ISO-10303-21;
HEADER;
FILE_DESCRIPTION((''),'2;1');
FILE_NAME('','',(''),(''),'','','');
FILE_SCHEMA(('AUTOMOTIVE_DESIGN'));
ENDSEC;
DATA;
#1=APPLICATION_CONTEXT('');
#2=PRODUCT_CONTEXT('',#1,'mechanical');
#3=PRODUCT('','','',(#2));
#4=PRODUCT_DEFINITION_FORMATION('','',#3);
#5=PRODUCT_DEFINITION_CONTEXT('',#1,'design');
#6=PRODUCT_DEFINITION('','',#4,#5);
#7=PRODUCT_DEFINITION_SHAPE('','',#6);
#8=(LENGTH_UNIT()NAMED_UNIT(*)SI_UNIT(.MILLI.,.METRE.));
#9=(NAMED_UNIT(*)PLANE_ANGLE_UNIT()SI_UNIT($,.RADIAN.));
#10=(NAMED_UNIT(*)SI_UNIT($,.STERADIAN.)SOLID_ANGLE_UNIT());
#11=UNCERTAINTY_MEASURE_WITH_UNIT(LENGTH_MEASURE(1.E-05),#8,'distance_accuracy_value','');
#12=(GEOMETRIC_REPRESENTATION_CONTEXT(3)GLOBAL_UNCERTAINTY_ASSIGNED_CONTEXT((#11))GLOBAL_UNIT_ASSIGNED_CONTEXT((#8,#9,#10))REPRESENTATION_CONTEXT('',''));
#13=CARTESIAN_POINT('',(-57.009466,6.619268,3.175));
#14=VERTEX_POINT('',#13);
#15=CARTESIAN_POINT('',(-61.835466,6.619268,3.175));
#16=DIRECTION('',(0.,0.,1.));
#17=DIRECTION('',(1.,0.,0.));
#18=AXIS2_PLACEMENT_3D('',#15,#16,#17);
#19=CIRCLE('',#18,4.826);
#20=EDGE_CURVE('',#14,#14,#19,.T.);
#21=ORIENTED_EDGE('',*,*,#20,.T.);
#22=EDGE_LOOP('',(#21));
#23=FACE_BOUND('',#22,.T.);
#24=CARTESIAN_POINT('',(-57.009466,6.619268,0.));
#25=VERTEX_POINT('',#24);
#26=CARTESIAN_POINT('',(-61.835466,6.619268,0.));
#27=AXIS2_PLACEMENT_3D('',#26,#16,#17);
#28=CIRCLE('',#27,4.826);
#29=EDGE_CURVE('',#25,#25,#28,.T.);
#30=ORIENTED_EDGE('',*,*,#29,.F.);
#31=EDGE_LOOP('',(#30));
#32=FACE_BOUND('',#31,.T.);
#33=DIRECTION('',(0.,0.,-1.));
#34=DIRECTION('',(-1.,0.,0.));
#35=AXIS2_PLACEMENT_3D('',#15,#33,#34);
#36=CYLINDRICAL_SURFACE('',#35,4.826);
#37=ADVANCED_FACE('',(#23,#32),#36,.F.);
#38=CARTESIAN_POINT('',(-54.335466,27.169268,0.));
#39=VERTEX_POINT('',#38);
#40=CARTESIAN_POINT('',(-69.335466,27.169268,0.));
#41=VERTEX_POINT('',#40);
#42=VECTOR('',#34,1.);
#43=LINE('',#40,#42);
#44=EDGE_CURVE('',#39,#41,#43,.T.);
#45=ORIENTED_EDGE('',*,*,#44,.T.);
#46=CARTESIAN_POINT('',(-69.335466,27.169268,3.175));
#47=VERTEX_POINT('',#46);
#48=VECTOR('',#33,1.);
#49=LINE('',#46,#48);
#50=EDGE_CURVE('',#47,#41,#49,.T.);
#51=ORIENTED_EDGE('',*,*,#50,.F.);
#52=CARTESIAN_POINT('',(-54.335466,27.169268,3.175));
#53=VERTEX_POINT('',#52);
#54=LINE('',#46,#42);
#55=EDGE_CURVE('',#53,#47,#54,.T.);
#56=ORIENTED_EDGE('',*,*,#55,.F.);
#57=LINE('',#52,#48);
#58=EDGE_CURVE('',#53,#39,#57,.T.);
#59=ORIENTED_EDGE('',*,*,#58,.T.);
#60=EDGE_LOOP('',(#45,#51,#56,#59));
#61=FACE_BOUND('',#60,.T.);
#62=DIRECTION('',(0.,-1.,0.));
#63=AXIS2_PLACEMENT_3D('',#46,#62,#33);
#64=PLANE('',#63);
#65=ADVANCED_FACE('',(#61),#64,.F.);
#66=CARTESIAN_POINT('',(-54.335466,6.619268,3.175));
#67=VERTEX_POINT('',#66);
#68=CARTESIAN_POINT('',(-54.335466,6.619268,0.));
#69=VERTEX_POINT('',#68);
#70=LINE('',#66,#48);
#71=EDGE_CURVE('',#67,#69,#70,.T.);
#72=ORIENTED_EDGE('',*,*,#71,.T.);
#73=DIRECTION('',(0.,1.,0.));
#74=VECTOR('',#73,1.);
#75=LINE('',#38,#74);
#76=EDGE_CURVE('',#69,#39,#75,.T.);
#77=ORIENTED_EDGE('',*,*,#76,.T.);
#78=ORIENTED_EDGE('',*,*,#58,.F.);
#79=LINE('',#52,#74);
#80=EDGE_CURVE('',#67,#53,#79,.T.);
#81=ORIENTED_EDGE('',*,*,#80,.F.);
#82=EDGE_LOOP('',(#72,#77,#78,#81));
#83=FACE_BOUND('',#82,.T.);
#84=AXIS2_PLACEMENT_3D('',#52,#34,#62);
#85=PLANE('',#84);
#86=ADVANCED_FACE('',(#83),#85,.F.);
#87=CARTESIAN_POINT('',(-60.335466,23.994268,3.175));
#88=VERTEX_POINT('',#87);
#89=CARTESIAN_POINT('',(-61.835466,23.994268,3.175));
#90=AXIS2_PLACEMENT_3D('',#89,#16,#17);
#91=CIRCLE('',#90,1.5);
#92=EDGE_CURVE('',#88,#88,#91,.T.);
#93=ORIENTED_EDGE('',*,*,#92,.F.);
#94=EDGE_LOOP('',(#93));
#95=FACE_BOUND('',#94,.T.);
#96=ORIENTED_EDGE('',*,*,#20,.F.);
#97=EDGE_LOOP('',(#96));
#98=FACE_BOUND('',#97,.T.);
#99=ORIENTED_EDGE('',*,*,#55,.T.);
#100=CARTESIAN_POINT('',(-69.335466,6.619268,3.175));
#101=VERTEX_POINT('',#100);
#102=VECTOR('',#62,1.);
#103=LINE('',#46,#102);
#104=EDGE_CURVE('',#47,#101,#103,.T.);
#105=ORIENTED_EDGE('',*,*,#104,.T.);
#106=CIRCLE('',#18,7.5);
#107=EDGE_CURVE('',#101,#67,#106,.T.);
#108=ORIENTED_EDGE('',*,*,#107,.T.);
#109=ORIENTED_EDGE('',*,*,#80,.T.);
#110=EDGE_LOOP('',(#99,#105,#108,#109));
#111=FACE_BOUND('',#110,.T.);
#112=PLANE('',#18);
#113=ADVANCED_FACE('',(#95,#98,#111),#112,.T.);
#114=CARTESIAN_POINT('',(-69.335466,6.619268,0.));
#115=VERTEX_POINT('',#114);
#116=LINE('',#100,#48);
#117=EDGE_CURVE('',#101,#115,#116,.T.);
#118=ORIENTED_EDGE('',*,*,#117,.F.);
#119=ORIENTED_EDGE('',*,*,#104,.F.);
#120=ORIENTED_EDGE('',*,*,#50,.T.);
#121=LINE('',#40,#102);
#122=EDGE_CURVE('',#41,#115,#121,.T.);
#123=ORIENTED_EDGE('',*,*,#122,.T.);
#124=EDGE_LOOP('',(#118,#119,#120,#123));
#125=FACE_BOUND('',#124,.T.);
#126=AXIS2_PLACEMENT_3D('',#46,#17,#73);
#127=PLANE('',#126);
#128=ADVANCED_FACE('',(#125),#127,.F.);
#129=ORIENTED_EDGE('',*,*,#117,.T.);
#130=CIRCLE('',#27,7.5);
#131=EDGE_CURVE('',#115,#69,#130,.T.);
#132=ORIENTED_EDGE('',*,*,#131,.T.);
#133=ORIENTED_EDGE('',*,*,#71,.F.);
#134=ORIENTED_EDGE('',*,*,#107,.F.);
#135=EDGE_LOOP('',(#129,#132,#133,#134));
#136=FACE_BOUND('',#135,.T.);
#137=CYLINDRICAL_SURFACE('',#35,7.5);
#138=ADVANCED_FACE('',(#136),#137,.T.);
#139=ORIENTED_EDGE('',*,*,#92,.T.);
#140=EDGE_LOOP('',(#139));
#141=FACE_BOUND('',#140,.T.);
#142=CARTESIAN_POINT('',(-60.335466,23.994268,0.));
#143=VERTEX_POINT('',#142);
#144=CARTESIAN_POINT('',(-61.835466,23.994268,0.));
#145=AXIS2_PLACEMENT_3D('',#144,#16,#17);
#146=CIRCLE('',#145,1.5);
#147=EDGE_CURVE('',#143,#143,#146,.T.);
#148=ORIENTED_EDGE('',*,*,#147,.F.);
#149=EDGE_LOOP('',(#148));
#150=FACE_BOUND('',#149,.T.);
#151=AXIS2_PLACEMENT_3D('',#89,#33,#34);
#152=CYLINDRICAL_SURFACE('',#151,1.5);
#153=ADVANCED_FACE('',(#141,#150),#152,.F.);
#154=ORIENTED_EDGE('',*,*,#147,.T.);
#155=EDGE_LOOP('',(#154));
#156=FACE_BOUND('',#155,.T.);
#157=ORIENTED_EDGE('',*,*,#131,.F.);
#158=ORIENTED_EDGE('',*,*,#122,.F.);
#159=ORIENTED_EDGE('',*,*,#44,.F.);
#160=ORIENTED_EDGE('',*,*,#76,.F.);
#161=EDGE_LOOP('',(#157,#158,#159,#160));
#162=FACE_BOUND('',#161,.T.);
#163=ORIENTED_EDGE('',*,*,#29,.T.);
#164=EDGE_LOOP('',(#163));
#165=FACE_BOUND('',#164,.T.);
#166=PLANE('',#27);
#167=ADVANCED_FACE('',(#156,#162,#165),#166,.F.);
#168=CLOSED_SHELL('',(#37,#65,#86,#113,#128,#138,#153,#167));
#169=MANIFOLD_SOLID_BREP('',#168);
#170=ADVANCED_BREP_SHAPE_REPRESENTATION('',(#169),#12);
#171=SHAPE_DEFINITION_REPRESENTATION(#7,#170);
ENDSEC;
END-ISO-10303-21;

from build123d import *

# Parameters (mm, degrees)
SKETCH1_R           = 4.826
SKETCH1_R_2         = 1.5
BOSS_EXTRUDE1_DEPTH = 3.175


with BuildPart() as part:
    # Sketch1 → Boss-Extrude1 (new body)
    with BuildSketch(Plane.XY):
        with BuildLine():
            Line((-69.335466426, 27.169267575), (-54.335466426, 27.169267575))
            Line((-54.335466426, 27.169267575), (-54.335466426, 6.619267575))
            ThreePointArc((-54.335466426, 6.619267575), (-61.835466426, -0.880732425), (-69.335466426, 6.619267575))
            Line((-69.335466426, 6.619267575), (-69.335466426, 27.169267575))
        make_face()
        with Locations((-61.835466426, 6.619267575)):
            Circle(SKETCH1_R, mode=Mode.SUBTRACT)
        with Locations((-61.835466426, 23.994267575)):
            Circle(SKETCH1_R_2, mode=Mode.SUBTRACT)
    extrude(amount=BOSS_EXTRUDE1_DEPTH)


solid = part.part
